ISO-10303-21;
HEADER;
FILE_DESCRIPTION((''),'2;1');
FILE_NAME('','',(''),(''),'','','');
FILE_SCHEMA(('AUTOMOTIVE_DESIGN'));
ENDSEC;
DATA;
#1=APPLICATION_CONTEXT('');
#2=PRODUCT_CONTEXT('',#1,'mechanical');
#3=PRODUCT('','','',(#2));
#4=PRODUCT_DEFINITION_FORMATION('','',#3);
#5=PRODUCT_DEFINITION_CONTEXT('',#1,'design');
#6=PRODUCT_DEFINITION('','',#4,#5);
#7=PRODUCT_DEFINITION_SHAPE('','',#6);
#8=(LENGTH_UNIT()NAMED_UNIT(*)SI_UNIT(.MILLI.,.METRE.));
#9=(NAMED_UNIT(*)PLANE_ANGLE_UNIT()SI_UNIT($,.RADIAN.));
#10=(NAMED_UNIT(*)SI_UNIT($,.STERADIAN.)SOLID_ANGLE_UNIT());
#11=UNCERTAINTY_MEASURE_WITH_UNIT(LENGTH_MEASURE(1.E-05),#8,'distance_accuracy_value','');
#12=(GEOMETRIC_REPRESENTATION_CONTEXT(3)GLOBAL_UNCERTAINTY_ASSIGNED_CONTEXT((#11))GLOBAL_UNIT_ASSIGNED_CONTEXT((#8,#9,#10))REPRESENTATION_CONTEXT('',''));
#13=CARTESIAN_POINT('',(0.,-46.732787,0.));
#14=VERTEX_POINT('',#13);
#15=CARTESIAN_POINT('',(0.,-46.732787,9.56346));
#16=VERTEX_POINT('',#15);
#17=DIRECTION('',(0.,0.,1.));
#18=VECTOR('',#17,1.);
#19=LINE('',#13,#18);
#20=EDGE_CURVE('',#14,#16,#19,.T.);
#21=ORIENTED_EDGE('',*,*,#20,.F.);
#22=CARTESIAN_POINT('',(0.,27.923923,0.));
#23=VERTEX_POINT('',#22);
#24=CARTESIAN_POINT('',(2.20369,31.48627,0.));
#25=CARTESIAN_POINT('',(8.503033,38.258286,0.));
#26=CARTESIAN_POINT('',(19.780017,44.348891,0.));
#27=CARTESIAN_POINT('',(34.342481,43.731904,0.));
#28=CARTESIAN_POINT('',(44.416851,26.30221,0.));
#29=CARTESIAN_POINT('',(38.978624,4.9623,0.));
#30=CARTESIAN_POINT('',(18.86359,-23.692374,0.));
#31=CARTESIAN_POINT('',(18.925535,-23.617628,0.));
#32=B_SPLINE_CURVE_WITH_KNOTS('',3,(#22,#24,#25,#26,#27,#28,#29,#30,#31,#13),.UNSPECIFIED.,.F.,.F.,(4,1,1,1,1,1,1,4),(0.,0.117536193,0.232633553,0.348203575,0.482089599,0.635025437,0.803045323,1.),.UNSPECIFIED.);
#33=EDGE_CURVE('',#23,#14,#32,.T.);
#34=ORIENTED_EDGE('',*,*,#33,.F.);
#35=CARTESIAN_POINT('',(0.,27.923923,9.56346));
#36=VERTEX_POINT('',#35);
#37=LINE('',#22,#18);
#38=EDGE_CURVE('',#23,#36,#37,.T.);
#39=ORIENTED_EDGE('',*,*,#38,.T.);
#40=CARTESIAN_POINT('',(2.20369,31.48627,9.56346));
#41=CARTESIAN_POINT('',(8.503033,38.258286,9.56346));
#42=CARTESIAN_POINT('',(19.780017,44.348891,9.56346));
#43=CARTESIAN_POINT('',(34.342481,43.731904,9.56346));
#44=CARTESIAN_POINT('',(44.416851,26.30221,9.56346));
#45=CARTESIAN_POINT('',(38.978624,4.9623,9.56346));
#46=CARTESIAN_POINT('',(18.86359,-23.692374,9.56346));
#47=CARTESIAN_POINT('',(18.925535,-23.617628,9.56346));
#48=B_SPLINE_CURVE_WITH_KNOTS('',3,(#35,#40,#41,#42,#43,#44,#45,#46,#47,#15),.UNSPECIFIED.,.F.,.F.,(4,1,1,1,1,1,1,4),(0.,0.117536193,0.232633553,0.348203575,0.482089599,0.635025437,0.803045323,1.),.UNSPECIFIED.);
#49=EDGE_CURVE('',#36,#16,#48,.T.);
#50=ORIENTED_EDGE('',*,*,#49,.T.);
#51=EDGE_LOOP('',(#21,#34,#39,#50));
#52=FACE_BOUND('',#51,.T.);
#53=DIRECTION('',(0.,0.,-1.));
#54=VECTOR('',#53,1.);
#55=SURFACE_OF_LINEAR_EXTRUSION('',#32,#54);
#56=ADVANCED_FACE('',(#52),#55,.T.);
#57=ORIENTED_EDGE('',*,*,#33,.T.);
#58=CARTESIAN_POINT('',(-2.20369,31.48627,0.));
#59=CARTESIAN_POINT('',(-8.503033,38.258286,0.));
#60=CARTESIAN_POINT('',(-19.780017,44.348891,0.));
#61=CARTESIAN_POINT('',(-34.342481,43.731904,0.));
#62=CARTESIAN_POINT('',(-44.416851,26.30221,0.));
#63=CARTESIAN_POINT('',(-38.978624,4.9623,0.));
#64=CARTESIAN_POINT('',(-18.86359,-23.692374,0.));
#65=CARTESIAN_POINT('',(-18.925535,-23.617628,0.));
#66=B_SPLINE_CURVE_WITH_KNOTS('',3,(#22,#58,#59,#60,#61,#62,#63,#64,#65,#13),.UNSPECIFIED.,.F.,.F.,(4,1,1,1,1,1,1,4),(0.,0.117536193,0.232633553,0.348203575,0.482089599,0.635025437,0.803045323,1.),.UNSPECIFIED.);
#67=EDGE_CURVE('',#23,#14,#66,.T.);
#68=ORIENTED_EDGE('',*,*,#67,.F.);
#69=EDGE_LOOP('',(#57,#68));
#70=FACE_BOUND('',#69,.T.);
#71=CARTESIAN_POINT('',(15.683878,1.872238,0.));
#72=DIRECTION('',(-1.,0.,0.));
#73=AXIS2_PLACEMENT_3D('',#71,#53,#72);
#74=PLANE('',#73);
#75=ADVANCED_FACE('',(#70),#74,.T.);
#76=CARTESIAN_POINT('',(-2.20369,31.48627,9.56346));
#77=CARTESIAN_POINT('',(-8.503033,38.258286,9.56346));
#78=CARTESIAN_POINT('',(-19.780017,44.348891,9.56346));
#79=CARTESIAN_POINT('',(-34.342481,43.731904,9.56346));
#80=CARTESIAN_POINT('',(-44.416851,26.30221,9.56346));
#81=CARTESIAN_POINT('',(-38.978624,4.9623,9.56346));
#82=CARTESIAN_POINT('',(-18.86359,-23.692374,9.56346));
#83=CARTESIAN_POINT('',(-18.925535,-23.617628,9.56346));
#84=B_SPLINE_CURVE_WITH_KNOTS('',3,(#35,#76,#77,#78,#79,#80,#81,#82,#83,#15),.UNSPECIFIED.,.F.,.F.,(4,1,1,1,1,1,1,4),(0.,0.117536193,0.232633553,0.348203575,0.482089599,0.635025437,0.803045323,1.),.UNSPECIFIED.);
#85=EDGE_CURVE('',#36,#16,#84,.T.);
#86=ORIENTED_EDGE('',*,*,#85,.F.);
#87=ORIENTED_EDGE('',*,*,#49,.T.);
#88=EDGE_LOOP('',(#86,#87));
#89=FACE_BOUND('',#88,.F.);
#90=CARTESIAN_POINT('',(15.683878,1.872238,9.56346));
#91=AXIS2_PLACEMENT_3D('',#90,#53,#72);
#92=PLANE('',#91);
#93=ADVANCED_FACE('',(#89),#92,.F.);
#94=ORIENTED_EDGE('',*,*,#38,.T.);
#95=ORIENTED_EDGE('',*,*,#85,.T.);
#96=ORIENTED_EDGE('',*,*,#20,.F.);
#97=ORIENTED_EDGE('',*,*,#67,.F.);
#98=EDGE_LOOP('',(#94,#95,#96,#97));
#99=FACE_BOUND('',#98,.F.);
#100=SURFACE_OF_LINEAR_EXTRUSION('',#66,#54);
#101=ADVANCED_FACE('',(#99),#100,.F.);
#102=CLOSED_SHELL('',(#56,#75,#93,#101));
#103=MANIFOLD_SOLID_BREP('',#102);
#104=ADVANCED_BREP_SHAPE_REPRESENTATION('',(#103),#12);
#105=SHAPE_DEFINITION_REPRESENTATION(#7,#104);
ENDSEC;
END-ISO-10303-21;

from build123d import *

# Parameters (mm, degrees)
F1_DEPTH = 9.56346


with BuildPart() as f1:
    # F0 (on Top) → F1 (new body)
    with BuildSketch(Plane.XY):
        with BuildLine():
            add(Edge.make_bspline(
                [(0, 27.9239229858), (2.2036899978, 31.4862701249), (8.5030332757, 38.2582858466), (19.7800174142, 44.3488910909), (34.3424811675, 43.7319037301), (44.4168513373, 26.3022102979), (38.9786242781, 4.962299578), (18.8635901923, -23.6923737644), (18.9255352303, -23.6176281893), (0, -46.7327870429)],
                knots=[0, 0, 0, 0, 0.1175361933, 0.2326335528, 0.3482035745, 0.4820895989, 0.6350254368, 0.8030453225, 1, 1, 1, 1], degree=3))
            Line((0, 27.9239229858), (0, -46.7327870429))
        make_face()
        with BuildLine():
            Line((0, -46.7327870429), (0, 27.9239229858))
            add(Edge.make_bspline(
                [(0, 27.9239229858), (-2.2036899978, 31.4862701249), (-8.5030332757, 38.2582858466), (-19.7800174142, 44.3488910909), (-34.3424811675, 43.7319037301), (-44.4168513373, 26.3022102979), (-38.9786242781, 4.962299578), (-18.8635901923, -23.6923737644), (-18.9255352303, -23.6176281893), (0, -46.7327870429)],
                knots=[0, 0, 0, 0, 0.1175361933, 0.2326335528, 0.3482035745, 0.4820895989, 0.6350254368, 0.8030453225, 1, 1, 1, 1], degree=3))
        make_face()
    extrude(amount=F1_DEPTH)


solid = f1.part
